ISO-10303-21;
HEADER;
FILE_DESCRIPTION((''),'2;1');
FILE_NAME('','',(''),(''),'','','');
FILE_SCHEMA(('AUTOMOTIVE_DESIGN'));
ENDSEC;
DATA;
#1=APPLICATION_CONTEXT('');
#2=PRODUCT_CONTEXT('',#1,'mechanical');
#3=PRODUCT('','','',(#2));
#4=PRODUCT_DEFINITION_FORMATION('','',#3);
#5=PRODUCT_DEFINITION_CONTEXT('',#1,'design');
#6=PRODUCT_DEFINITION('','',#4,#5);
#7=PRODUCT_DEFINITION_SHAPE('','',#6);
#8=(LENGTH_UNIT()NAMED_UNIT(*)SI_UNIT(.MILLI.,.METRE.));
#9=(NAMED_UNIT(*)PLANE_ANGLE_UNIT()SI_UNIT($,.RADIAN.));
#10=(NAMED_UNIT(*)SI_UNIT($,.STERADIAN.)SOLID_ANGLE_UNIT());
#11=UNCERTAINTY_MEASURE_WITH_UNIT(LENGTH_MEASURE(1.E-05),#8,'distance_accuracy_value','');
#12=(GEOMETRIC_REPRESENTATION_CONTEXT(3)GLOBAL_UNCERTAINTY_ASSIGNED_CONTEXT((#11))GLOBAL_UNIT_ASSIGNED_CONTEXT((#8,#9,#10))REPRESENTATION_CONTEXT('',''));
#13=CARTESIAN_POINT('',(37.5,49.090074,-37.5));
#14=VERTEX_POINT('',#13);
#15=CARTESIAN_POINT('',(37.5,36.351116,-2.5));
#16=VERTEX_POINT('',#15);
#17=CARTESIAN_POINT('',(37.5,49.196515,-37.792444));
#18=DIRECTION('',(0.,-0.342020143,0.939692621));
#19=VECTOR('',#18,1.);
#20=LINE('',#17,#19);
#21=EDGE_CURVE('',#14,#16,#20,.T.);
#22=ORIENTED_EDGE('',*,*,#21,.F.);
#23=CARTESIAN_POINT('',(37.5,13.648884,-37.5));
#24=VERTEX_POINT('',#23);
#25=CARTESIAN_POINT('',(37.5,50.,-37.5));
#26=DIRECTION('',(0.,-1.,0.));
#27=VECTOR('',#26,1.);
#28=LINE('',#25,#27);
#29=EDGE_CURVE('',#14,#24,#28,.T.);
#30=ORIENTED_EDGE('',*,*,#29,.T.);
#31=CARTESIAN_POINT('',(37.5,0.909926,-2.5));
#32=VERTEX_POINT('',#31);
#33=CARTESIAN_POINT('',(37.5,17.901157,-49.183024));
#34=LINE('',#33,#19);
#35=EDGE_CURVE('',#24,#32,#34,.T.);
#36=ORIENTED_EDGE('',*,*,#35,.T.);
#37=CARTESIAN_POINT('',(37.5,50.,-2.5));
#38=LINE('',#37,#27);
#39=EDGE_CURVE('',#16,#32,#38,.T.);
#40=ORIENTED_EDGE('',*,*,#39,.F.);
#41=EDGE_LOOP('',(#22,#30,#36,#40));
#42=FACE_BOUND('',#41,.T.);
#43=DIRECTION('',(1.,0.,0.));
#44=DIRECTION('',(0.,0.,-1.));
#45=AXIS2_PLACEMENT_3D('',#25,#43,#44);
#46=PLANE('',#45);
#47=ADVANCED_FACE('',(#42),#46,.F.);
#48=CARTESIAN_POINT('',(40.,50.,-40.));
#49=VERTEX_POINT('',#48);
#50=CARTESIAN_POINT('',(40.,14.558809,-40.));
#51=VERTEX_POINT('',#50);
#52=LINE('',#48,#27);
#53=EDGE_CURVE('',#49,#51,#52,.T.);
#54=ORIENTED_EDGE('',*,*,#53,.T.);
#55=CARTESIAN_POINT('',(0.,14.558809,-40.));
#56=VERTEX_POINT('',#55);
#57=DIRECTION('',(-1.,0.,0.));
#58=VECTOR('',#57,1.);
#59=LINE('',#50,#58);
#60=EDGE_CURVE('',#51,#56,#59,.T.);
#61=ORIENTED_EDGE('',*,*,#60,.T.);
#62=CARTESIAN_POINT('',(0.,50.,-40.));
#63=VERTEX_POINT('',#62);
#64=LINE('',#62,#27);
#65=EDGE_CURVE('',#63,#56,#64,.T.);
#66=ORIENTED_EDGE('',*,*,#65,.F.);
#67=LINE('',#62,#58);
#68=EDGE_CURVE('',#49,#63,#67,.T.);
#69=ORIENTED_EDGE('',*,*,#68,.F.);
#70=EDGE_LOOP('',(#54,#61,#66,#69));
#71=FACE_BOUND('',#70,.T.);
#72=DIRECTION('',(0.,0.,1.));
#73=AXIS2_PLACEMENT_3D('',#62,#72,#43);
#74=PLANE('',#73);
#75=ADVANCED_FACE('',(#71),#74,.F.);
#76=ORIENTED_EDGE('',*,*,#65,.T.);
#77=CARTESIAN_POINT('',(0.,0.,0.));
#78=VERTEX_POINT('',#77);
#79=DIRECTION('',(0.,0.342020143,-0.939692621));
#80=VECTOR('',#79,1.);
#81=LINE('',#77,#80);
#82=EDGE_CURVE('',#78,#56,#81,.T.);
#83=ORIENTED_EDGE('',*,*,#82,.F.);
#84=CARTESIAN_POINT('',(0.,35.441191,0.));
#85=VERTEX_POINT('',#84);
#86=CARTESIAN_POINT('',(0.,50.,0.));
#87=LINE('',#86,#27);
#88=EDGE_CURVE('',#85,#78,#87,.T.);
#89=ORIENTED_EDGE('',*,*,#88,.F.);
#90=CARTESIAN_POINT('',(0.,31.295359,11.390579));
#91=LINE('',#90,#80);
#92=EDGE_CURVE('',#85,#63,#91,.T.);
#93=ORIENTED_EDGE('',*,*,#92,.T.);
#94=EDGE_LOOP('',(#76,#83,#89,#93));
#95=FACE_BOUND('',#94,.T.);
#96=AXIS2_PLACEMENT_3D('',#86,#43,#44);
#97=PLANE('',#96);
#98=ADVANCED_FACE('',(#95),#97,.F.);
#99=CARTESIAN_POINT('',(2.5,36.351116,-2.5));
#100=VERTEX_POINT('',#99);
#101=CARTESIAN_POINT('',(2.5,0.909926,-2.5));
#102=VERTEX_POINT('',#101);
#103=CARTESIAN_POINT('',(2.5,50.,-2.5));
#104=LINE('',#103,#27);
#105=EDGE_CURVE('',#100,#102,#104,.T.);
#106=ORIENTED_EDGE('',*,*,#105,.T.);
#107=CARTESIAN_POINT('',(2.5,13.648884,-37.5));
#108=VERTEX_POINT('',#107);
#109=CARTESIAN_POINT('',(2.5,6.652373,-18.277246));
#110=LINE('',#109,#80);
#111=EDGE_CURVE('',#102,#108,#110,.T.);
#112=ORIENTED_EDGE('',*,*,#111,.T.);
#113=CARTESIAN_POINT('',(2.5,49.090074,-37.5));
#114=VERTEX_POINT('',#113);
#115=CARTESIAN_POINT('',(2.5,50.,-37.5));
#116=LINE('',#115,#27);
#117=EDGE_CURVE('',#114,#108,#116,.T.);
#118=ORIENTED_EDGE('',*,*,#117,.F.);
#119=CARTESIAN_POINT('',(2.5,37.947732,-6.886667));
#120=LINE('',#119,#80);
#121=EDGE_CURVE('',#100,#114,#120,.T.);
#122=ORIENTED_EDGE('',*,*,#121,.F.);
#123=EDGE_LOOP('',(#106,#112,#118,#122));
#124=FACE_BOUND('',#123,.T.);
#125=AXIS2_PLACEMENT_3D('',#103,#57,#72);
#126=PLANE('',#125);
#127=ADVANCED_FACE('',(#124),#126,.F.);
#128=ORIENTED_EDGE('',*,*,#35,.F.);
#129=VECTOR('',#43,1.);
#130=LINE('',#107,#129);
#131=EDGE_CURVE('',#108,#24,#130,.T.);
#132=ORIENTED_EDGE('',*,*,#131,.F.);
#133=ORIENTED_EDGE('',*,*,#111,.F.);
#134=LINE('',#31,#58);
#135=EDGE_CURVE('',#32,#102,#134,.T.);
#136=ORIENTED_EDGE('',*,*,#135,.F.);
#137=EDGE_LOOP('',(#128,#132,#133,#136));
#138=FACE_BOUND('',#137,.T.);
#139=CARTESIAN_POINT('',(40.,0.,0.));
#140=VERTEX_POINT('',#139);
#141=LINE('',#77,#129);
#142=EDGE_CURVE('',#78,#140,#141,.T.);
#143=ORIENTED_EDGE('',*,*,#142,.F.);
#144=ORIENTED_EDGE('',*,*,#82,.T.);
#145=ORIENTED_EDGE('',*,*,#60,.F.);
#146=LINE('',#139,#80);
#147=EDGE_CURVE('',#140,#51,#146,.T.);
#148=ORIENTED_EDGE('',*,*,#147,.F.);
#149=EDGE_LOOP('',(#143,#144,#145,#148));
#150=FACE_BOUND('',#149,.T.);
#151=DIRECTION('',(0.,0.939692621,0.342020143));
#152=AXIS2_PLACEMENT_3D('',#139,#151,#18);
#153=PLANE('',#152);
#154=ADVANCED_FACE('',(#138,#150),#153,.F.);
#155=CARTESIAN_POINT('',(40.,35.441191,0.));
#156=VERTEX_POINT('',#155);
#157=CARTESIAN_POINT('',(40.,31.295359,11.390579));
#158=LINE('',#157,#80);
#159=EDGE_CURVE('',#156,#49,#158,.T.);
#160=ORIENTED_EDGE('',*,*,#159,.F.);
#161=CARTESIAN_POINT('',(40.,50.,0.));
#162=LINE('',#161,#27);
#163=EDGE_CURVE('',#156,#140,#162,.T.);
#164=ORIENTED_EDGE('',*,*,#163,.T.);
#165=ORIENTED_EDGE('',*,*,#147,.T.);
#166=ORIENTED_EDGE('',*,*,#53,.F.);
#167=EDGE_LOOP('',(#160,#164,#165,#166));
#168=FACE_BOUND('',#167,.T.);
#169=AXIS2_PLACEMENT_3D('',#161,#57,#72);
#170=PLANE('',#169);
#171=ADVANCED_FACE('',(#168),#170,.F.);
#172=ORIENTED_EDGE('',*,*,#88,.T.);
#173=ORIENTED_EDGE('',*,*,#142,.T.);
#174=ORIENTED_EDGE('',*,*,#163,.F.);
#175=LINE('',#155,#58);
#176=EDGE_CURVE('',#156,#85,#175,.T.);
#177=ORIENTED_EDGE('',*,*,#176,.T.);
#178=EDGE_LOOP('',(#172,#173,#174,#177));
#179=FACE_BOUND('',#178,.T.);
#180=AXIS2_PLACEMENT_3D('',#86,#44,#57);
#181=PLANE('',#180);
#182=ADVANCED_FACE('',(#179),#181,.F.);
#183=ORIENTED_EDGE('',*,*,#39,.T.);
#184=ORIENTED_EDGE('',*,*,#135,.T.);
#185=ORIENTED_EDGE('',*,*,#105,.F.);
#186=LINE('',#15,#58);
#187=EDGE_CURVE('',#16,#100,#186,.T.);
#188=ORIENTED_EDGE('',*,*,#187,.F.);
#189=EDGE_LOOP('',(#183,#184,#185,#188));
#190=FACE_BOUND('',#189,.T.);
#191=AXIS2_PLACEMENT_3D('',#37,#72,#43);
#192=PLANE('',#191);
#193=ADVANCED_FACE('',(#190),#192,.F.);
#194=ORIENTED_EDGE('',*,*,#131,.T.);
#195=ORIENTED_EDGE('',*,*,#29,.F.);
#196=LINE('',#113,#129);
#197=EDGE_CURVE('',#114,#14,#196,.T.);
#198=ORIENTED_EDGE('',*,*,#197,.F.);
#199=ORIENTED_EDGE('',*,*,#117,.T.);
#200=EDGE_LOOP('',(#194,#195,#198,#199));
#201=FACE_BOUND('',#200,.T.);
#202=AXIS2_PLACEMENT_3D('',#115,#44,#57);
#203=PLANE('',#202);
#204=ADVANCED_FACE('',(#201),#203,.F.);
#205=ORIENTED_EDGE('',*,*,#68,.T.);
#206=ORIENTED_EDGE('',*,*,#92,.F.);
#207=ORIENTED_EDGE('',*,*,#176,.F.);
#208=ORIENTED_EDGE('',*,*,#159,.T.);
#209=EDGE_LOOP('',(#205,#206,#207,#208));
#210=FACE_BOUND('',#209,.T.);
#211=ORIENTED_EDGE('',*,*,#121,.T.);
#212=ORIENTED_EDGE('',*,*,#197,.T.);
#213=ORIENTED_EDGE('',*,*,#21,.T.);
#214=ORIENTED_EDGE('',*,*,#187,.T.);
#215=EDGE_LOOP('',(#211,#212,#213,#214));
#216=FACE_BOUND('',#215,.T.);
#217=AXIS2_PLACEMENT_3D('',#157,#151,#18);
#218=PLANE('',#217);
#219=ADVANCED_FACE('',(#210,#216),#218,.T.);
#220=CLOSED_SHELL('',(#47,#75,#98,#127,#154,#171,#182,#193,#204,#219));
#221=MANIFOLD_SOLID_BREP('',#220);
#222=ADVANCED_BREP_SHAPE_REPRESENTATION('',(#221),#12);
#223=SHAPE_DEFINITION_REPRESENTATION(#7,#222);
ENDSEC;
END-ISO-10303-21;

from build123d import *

# Parameters (mm, degrees)
SKETCH1_W           = 40
SKETCH1_H           = 40
BOSS_EXTRUDE1_DEPTH = 50
SKETCH2_W           = 35
SKETCH2_H           = 35
CUT_EXTRUDE1_DEPTH  = 76.498344353
CUT_EXTRUDE2_DEPTH  = 76.498344353


with BuildPart() as part:
    # Sketch1 → Boss-Extrude1 (new body)
    with BuildSketch(Plane(origin=(0, 0, 0), x_dir=(1, 0, 0), z_dir=(0, 1, 0))):
        with Locations((20, 20)):
            Rectangle(SKETCH1_W, SKETCH1_H)
    extrude(amount=BOSS_EXTRUDE1_DEPTH)

    # Sketch2 → Cut-Extrude1 (cut, through all)
    with BuildSketch(Plane.XZ):
        with Locations((20, -20)):
            Rectangle(SKETCH2_W, SKETCH2_H)
    extrude(amount=-CUT_EXTRUDE1_DEPTH, mode=Mode.SUBTRACT)

    # Sketch3 → Cut-Extrude2 (cut, through all)
    with BuildSketch(Plane.ZY):
        Polygon((-40, 0), (0, 0), (-40, 14.558809371), align=None)
        Polygon((-40, 50), (0, 35.441190629), (0, 50), align=None)
    extrude(amount=-CUT_EXTRUDE2_DEPTH, mode=Mode.SUBTRACT)


solid = part.part
